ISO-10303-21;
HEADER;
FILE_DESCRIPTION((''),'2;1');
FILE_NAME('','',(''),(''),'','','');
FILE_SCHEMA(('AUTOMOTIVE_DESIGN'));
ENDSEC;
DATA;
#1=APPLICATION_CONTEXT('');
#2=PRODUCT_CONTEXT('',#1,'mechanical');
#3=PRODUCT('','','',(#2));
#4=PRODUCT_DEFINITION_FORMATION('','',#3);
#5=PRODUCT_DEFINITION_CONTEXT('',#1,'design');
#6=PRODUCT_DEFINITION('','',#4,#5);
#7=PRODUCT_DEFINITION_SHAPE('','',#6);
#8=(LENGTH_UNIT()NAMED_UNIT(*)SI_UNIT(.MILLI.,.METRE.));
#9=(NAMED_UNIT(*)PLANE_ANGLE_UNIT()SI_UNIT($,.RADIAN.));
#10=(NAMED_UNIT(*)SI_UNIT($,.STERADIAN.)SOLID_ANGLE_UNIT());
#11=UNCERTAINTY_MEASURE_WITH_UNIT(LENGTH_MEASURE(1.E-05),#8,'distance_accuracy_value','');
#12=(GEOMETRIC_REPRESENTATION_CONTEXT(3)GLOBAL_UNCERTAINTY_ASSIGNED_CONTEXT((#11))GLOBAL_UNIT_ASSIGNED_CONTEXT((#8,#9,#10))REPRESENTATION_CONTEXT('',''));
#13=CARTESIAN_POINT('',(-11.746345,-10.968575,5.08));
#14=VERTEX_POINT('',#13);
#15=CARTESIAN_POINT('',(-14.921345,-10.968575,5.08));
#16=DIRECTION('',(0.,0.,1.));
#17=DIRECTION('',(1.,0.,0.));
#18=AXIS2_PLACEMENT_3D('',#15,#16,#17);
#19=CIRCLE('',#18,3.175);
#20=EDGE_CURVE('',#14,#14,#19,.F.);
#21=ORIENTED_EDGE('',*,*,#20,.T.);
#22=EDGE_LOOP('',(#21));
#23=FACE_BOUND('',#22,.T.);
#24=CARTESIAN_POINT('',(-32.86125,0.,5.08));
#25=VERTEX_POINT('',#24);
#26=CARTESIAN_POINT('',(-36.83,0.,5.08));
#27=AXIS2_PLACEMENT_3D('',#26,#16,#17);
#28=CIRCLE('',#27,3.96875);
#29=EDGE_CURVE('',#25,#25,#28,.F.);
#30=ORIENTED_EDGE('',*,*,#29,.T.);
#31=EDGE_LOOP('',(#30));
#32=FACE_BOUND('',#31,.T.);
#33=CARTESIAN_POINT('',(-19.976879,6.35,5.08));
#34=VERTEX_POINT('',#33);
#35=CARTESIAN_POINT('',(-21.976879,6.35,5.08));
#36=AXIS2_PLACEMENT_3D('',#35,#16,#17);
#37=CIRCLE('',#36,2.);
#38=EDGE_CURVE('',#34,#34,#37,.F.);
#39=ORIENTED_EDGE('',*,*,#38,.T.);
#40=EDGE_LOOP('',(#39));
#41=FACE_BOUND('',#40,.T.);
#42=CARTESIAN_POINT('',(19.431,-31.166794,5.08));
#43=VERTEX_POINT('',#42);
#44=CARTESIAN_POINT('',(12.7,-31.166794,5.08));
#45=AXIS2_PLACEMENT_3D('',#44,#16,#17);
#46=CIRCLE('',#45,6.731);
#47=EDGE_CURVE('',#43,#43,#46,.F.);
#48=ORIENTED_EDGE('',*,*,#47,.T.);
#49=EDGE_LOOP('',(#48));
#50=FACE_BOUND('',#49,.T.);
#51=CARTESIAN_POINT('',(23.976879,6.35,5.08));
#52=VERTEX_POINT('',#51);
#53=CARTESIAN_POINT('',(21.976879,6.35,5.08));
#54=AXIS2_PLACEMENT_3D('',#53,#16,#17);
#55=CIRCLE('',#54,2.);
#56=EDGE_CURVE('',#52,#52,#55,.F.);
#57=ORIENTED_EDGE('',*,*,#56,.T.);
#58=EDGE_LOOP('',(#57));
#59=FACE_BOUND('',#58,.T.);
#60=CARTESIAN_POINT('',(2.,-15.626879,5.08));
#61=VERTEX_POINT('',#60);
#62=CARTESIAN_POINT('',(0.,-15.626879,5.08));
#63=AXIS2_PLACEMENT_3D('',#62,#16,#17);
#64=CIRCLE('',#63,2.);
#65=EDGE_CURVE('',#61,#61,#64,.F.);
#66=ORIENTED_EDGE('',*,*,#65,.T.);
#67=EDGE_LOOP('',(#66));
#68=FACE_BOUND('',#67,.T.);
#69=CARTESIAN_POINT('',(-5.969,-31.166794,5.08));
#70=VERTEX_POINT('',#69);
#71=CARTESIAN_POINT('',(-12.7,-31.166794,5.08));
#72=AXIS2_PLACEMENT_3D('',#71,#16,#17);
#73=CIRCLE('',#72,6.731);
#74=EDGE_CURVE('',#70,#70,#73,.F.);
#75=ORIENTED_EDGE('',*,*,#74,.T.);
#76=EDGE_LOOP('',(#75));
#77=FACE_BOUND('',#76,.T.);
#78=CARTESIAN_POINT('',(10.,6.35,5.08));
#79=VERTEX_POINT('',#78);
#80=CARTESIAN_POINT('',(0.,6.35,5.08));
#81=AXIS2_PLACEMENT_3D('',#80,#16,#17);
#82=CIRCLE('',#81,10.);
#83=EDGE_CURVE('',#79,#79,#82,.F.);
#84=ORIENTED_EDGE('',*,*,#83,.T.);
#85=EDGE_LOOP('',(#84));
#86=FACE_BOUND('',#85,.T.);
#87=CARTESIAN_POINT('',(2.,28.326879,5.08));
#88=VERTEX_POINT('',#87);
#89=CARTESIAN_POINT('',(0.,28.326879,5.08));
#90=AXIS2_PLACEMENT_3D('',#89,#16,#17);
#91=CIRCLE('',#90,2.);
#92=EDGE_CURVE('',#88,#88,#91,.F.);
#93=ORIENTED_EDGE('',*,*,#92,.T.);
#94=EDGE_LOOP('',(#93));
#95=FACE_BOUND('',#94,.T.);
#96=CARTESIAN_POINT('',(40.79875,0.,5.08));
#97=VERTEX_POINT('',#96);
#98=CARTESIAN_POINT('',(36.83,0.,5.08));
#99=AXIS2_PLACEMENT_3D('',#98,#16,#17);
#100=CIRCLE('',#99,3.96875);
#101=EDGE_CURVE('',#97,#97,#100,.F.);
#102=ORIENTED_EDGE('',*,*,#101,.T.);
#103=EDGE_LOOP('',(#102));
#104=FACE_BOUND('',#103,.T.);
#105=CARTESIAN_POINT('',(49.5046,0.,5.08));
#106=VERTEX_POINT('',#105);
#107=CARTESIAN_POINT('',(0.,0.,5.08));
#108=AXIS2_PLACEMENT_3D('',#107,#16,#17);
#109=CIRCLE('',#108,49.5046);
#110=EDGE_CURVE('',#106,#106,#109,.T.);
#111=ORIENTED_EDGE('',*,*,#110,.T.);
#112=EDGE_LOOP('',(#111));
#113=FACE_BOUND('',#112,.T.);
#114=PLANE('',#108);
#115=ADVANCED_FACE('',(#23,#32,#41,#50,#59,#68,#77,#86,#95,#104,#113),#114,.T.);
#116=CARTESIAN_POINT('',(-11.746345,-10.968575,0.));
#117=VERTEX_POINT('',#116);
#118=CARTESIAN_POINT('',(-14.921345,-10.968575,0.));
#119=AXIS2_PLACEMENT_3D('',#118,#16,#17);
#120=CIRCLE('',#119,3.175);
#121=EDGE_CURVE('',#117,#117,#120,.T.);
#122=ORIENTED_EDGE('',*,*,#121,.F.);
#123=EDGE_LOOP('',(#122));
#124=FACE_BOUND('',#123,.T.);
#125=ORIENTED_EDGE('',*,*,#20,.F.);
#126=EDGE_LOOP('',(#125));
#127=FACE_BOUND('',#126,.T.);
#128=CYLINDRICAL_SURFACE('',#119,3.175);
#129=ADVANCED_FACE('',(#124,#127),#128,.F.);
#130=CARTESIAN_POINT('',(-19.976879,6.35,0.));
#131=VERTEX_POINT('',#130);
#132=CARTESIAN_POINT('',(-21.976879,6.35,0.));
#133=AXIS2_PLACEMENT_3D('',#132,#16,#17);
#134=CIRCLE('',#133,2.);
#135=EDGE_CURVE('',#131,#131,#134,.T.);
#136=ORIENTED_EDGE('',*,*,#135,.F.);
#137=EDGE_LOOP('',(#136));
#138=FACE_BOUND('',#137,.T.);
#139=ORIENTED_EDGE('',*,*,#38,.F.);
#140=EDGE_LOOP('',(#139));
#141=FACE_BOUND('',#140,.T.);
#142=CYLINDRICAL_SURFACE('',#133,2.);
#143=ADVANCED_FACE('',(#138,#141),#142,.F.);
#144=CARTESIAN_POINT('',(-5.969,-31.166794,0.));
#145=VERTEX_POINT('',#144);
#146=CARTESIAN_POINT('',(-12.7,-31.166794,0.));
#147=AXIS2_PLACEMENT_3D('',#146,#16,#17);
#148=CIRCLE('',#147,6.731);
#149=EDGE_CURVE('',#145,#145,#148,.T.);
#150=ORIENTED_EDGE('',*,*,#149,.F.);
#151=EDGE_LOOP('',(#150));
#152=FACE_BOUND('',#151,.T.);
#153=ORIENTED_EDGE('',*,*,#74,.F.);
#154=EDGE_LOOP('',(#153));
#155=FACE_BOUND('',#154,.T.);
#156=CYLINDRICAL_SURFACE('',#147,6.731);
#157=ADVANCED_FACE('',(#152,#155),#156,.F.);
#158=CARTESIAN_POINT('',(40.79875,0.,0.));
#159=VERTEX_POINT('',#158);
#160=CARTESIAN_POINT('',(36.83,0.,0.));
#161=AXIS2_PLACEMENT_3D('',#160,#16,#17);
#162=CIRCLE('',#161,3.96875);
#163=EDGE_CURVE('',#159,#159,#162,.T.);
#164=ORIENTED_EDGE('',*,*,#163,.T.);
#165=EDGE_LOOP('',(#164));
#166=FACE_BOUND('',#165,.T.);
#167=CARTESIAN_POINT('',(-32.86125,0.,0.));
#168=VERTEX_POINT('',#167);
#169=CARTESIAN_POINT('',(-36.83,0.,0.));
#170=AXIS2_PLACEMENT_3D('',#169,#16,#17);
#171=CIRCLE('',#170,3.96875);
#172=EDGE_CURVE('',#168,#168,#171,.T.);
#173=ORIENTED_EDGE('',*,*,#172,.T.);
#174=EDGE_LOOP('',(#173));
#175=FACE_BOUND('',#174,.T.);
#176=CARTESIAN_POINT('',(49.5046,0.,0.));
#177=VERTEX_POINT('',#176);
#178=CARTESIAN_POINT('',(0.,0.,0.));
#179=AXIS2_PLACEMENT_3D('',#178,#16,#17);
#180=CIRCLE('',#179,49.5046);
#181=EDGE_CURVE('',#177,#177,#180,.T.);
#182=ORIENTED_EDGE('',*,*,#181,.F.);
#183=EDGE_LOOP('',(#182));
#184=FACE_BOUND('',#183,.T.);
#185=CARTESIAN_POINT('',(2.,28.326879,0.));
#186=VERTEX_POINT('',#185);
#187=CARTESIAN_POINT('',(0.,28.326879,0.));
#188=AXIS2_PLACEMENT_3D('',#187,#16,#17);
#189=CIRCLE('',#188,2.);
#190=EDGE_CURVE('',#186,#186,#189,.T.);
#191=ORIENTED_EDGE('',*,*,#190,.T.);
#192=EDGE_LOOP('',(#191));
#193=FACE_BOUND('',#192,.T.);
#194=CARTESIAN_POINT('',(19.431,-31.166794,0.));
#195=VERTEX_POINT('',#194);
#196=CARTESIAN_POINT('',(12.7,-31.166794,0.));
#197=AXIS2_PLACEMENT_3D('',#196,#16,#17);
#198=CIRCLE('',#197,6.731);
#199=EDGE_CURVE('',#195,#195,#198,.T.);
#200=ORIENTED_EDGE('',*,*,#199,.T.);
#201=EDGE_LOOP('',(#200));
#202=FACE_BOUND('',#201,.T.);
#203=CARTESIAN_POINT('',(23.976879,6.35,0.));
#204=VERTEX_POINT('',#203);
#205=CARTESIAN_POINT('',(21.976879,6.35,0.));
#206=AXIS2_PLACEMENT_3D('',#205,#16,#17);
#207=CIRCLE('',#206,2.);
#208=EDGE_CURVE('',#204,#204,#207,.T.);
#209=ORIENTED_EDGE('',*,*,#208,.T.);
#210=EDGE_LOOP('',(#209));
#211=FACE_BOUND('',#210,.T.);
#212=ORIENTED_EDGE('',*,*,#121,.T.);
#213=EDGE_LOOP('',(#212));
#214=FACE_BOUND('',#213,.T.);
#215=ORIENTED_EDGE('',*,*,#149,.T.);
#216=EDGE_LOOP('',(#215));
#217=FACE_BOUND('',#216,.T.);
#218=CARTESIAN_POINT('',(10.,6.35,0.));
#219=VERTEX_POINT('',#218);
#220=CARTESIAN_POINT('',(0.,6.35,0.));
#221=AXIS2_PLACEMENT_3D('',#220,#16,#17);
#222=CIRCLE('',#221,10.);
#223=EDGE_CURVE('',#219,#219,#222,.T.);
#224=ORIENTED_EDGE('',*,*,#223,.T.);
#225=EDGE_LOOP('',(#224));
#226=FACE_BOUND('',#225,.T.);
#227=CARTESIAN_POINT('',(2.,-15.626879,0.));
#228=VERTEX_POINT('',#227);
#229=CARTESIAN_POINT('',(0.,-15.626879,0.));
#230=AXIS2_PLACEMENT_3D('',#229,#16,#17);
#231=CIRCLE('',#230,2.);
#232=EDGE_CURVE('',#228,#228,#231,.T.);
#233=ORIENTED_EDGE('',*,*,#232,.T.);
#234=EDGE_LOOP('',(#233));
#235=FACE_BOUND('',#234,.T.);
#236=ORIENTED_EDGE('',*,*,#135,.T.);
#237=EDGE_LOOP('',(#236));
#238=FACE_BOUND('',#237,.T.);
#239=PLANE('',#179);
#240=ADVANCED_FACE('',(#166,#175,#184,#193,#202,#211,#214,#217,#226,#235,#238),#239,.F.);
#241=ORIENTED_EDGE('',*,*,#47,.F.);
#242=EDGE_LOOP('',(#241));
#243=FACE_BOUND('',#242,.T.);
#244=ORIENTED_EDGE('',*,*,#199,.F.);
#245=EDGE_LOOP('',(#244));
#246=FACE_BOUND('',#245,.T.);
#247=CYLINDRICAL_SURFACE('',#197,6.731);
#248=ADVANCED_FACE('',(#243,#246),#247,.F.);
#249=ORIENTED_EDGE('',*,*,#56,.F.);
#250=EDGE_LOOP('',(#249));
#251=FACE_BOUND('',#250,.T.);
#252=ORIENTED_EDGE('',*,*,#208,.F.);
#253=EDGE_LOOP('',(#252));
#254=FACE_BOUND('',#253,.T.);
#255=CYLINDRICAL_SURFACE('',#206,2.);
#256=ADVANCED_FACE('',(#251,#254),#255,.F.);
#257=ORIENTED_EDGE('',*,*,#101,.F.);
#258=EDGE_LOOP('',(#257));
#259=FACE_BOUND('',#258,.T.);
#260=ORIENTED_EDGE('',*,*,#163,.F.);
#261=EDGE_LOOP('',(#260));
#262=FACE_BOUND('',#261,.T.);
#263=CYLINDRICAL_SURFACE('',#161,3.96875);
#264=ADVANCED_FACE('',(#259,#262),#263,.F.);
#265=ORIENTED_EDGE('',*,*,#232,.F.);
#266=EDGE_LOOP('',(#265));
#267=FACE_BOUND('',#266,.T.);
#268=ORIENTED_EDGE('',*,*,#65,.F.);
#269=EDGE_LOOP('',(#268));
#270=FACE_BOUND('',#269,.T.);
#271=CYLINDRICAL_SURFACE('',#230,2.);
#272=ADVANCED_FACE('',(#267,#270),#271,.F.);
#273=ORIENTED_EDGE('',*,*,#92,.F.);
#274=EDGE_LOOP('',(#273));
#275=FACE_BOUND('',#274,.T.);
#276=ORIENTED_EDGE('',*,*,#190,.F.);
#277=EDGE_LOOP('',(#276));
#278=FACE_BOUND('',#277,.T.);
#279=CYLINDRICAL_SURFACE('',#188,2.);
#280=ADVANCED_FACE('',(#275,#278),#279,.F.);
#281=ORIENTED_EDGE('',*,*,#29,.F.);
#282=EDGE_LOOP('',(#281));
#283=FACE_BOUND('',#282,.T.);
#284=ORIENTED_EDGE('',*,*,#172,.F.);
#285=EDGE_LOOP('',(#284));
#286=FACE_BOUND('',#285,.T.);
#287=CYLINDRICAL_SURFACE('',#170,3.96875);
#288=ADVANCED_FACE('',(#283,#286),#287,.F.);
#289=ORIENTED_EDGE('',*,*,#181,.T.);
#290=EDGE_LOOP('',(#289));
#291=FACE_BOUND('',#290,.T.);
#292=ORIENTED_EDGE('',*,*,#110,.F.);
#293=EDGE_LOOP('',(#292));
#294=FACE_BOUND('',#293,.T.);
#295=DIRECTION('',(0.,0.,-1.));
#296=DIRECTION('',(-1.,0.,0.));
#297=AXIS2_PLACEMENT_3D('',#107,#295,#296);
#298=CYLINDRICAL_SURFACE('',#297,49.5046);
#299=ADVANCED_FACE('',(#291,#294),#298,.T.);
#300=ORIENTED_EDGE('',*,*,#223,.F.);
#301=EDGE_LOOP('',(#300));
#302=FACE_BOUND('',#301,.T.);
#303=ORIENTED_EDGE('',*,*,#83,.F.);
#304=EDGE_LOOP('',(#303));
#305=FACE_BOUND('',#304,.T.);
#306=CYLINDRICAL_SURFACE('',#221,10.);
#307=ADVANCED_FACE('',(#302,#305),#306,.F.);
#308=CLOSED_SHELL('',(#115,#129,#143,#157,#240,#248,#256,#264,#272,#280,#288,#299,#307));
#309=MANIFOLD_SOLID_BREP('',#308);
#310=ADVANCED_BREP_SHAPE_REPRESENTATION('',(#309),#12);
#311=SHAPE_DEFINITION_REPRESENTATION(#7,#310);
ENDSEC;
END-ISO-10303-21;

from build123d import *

# Parameters (mm, degrees)
SKETCH1_R           = 49.5046
BOSS_EXTRUDE1_DEPTH = 5.08
SKETCH2_R           = 47.625
BOSS_EXTRUDE2_DEPTH = 3.175
SKETCH3_R           = 6.731
SKETCH3_R_2         = 3.96875
SKETCH3_R_3         = 10
SKETCH3_R_4         = 3.175
SKETCH3_R_5         = 2
CUT_EXTRUDE1_DEPTH  = 9.255
SKETCH7_R           = 56.423127019
CUT_EXTRUDE2_DEPTH  = 3.175


with BuildPart() as part:
    # Sketch1 → Boss-Extrude1 (new body)
    with BuildSketch(Plane.XY):
        Circle(SKETCH1_R)
    extrude(amount=BOSS_EXTRUDE1_DEPTH)

    # Sketch2 → Boss-Extrude2 (add)
    with BuildSketch(Plane.XY.offset(5.08)):
        Circle(SKETCH2_R)
    extrude(amount=BOSS_EXTRUDE2_DEPTH)

    # Sketch3 → Cut-Extrude1 (cut, through all)
    with BuildSketch(Plane.XY.offset(8.255)):
        with Locations((-12.7, -31.166793627)):
            Circle(SKETCH3_R)
        with Locations((12.7, -31.166793627)):
            Circle(SKETCH3_R)
        with Locations((-36.83, 0)):
            Circle(SKETCH3_R_2)
        with Locations((36.83, 0)):
            Circle(SKETCH3_R_2)
        with Locations((0, 6.35)):
            Circle(SKETCH3_R_3)
        with Locations((-14.921345457, -10.968575281)):
            Circle(SKETCH3_R_4)
        with Locations((0, 28.326878759)):
            Circle(SKETCH3_R_5)
        with Locations((21.976878759, 6.35)):
            Circle(SKETCH3_R_5)
        with Locations((0, -15.626878759)):
            Circle(SKETCH3_R_5)
        with Locations((-21.976878759, 6.35)):
            Circle(SKETCH3_R_5)
    extrude(amount=-CUT_EXTRUDE1_DEPTH, mode=Mode.SUBTRACT)

    # Sketch7 → Cut-Extrude2 (cut)
    with BuildSketch(Plane.XY.offset(8.255)):
        Circle(SKETCH7_R)
    extrude(amount=-CUT_EXTRUDE2_DEPTH, mode=Mode.SUBTRACT)


solid = part.part
